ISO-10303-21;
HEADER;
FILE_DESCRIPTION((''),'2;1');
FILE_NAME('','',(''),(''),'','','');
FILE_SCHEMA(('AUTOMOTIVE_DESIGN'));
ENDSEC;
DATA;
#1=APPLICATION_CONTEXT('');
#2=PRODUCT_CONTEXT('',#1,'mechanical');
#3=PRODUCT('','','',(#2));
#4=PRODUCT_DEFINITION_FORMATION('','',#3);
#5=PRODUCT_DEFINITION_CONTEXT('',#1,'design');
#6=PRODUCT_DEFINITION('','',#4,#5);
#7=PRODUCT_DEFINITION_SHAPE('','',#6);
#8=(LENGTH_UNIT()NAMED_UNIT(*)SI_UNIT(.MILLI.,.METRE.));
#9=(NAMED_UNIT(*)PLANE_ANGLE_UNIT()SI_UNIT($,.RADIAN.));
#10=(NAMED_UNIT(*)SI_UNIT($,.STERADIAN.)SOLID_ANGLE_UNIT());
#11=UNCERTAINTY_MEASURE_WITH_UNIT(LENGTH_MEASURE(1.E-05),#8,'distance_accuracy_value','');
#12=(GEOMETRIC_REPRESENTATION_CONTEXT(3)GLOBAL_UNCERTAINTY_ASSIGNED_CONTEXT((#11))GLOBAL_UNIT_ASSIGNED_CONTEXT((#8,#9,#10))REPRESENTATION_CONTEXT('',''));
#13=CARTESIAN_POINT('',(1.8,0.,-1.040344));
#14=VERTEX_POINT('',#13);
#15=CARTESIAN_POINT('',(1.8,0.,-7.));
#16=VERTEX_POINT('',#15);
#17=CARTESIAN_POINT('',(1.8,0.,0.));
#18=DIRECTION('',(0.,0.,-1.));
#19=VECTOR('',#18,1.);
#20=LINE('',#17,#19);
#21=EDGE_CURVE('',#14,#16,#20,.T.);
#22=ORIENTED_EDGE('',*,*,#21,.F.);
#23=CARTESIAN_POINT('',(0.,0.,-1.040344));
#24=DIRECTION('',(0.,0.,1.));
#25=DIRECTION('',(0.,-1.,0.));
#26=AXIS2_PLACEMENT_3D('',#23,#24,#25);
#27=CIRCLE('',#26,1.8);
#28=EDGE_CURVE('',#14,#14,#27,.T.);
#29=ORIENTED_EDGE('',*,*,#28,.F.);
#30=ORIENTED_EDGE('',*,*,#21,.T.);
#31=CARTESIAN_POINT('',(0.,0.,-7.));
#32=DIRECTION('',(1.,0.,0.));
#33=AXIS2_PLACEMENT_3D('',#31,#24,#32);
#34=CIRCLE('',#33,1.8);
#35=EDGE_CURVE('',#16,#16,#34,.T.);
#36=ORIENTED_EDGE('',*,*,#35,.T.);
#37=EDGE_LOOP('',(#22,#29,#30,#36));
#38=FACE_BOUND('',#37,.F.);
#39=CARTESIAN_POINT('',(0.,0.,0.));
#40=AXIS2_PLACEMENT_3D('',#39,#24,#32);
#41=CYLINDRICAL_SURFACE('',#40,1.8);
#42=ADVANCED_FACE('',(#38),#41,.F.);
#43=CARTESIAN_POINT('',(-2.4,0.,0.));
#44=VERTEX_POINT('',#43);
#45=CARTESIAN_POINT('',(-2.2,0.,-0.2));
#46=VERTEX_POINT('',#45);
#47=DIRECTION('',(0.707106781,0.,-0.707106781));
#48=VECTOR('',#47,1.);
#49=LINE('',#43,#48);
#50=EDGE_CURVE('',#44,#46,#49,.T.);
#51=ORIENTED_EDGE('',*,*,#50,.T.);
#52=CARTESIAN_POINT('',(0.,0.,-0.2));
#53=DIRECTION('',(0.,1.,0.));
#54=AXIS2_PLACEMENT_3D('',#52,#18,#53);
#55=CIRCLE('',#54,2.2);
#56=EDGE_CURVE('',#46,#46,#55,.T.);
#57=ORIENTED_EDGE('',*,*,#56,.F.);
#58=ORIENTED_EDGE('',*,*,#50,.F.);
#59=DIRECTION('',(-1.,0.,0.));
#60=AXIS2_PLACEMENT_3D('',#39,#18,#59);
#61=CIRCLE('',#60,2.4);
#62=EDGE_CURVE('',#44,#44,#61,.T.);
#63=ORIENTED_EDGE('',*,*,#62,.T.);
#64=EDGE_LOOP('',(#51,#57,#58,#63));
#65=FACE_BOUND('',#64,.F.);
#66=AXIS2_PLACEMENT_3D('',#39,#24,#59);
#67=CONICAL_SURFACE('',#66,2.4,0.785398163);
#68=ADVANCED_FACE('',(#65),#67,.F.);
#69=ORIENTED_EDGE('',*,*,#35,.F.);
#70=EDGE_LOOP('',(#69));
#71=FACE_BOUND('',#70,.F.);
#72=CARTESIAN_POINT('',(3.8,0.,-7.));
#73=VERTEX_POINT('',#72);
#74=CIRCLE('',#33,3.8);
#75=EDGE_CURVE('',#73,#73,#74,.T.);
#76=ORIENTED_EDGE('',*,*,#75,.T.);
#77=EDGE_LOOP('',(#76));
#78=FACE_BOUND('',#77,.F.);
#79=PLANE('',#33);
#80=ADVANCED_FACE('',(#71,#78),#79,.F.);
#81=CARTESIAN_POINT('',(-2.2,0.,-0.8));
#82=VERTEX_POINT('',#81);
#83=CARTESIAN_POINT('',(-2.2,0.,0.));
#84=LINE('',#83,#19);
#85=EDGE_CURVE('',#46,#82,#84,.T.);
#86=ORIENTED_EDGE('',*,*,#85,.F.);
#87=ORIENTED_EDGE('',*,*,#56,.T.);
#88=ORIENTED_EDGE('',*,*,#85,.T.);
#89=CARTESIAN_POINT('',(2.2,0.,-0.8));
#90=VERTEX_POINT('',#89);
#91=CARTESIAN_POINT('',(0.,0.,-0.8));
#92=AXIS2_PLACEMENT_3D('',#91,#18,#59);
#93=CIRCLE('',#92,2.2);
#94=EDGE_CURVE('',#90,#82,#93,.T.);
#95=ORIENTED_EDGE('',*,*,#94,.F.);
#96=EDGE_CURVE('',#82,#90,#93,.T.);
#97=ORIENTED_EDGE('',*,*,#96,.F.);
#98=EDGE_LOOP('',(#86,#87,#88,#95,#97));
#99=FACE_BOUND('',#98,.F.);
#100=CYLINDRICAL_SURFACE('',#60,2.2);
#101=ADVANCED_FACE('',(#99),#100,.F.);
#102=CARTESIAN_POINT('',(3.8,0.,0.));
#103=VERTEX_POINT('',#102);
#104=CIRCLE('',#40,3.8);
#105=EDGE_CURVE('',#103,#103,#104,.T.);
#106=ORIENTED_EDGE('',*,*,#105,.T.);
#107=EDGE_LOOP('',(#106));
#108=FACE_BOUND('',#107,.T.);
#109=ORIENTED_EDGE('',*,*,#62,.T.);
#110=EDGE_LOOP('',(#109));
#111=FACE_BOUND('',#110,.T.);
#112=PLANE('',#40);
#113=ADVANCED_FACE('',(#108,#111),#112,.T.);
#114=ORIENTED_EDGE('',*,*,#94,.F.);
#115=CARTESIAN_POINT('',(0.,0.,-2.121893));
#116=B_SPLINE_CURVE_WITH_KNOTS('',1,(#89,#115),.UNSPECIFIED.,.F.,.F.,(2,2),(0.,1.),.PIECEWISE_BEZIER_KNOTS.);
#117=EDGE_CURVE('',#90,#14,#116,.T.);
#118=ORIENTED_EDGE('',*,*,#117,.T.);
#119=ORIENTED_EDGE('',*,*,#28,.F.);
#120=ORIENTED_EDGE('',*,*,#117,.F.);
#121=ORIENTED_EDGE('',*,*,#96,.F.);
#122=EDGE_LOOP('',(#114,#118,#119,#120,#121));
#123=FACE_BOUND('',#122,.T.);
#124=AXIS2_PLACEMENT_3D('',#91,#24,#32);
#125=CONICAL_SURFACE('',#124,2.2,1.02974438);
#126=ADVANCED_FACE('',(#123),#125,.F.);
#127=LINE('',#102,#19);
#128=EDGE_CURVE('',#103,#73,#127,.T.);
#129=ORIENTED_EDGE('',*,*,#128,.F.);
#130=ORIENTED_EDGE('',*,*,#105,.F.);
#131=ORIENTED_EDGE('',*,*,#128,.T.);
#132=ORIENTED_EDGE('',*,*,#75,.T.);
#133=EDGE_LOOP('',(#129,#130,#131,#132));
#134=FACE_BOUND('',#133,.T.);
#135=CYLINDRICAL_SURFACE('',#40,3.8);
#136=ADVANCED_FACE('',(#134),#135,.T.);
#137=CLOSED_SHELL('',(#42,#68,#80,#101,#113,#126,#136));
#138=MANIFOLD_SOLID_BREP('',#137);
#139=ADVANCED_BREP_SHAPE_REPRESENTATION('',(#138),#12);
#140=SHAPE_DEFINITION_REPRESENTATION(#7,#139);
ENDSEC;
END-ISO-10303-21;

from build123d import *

# Parameters (mm, degrees)
SKETCH002_R      = 3.8
SKETCH002_R_2    = 1.8
PAD002_DEPTH     = 7
HOLE_D           = 4.4
HOLE_DEPTH       = 0.8
HOLE_CSINK_D     = 4.8
HOLE_CSINK_ANGLE = 90
HOLE_TIPS_R      = 2.2


with BuildPart() as part:
    # Sketch002 → Pad002 (new body)
    with BuildSketch(Plane.XY):
        Circle(SKETCH002_R)
        Circle(SKETCH002_R_2, mode=Mode.SUBTRACT)
    extrude(amount=-PAD002_DEPTH)

    # Hole
    with Locations(Plane.XY):
        with Locations((0, 0)):
            CounterSinkHole(HOLE_D / 2, HOLE_CSINK_D / 2, depth=HOLE_DEPTH, counter_sink_angle=HOLE_CSINK_ANGLE)

    # Hole tips → Hole tip 1 section 0
    with BuildSketch(Plane.XY.offset(-0.8), mode=Mode.PRIVATE) as hole_tip_1_s0:
        Circle(HOLE_TIPS_R)
    loft([hole_tip_1_s0.sketch, Vertex(0, 0, -2.121893)], mode=Mode.SUBTRACT)


solid = part.part
